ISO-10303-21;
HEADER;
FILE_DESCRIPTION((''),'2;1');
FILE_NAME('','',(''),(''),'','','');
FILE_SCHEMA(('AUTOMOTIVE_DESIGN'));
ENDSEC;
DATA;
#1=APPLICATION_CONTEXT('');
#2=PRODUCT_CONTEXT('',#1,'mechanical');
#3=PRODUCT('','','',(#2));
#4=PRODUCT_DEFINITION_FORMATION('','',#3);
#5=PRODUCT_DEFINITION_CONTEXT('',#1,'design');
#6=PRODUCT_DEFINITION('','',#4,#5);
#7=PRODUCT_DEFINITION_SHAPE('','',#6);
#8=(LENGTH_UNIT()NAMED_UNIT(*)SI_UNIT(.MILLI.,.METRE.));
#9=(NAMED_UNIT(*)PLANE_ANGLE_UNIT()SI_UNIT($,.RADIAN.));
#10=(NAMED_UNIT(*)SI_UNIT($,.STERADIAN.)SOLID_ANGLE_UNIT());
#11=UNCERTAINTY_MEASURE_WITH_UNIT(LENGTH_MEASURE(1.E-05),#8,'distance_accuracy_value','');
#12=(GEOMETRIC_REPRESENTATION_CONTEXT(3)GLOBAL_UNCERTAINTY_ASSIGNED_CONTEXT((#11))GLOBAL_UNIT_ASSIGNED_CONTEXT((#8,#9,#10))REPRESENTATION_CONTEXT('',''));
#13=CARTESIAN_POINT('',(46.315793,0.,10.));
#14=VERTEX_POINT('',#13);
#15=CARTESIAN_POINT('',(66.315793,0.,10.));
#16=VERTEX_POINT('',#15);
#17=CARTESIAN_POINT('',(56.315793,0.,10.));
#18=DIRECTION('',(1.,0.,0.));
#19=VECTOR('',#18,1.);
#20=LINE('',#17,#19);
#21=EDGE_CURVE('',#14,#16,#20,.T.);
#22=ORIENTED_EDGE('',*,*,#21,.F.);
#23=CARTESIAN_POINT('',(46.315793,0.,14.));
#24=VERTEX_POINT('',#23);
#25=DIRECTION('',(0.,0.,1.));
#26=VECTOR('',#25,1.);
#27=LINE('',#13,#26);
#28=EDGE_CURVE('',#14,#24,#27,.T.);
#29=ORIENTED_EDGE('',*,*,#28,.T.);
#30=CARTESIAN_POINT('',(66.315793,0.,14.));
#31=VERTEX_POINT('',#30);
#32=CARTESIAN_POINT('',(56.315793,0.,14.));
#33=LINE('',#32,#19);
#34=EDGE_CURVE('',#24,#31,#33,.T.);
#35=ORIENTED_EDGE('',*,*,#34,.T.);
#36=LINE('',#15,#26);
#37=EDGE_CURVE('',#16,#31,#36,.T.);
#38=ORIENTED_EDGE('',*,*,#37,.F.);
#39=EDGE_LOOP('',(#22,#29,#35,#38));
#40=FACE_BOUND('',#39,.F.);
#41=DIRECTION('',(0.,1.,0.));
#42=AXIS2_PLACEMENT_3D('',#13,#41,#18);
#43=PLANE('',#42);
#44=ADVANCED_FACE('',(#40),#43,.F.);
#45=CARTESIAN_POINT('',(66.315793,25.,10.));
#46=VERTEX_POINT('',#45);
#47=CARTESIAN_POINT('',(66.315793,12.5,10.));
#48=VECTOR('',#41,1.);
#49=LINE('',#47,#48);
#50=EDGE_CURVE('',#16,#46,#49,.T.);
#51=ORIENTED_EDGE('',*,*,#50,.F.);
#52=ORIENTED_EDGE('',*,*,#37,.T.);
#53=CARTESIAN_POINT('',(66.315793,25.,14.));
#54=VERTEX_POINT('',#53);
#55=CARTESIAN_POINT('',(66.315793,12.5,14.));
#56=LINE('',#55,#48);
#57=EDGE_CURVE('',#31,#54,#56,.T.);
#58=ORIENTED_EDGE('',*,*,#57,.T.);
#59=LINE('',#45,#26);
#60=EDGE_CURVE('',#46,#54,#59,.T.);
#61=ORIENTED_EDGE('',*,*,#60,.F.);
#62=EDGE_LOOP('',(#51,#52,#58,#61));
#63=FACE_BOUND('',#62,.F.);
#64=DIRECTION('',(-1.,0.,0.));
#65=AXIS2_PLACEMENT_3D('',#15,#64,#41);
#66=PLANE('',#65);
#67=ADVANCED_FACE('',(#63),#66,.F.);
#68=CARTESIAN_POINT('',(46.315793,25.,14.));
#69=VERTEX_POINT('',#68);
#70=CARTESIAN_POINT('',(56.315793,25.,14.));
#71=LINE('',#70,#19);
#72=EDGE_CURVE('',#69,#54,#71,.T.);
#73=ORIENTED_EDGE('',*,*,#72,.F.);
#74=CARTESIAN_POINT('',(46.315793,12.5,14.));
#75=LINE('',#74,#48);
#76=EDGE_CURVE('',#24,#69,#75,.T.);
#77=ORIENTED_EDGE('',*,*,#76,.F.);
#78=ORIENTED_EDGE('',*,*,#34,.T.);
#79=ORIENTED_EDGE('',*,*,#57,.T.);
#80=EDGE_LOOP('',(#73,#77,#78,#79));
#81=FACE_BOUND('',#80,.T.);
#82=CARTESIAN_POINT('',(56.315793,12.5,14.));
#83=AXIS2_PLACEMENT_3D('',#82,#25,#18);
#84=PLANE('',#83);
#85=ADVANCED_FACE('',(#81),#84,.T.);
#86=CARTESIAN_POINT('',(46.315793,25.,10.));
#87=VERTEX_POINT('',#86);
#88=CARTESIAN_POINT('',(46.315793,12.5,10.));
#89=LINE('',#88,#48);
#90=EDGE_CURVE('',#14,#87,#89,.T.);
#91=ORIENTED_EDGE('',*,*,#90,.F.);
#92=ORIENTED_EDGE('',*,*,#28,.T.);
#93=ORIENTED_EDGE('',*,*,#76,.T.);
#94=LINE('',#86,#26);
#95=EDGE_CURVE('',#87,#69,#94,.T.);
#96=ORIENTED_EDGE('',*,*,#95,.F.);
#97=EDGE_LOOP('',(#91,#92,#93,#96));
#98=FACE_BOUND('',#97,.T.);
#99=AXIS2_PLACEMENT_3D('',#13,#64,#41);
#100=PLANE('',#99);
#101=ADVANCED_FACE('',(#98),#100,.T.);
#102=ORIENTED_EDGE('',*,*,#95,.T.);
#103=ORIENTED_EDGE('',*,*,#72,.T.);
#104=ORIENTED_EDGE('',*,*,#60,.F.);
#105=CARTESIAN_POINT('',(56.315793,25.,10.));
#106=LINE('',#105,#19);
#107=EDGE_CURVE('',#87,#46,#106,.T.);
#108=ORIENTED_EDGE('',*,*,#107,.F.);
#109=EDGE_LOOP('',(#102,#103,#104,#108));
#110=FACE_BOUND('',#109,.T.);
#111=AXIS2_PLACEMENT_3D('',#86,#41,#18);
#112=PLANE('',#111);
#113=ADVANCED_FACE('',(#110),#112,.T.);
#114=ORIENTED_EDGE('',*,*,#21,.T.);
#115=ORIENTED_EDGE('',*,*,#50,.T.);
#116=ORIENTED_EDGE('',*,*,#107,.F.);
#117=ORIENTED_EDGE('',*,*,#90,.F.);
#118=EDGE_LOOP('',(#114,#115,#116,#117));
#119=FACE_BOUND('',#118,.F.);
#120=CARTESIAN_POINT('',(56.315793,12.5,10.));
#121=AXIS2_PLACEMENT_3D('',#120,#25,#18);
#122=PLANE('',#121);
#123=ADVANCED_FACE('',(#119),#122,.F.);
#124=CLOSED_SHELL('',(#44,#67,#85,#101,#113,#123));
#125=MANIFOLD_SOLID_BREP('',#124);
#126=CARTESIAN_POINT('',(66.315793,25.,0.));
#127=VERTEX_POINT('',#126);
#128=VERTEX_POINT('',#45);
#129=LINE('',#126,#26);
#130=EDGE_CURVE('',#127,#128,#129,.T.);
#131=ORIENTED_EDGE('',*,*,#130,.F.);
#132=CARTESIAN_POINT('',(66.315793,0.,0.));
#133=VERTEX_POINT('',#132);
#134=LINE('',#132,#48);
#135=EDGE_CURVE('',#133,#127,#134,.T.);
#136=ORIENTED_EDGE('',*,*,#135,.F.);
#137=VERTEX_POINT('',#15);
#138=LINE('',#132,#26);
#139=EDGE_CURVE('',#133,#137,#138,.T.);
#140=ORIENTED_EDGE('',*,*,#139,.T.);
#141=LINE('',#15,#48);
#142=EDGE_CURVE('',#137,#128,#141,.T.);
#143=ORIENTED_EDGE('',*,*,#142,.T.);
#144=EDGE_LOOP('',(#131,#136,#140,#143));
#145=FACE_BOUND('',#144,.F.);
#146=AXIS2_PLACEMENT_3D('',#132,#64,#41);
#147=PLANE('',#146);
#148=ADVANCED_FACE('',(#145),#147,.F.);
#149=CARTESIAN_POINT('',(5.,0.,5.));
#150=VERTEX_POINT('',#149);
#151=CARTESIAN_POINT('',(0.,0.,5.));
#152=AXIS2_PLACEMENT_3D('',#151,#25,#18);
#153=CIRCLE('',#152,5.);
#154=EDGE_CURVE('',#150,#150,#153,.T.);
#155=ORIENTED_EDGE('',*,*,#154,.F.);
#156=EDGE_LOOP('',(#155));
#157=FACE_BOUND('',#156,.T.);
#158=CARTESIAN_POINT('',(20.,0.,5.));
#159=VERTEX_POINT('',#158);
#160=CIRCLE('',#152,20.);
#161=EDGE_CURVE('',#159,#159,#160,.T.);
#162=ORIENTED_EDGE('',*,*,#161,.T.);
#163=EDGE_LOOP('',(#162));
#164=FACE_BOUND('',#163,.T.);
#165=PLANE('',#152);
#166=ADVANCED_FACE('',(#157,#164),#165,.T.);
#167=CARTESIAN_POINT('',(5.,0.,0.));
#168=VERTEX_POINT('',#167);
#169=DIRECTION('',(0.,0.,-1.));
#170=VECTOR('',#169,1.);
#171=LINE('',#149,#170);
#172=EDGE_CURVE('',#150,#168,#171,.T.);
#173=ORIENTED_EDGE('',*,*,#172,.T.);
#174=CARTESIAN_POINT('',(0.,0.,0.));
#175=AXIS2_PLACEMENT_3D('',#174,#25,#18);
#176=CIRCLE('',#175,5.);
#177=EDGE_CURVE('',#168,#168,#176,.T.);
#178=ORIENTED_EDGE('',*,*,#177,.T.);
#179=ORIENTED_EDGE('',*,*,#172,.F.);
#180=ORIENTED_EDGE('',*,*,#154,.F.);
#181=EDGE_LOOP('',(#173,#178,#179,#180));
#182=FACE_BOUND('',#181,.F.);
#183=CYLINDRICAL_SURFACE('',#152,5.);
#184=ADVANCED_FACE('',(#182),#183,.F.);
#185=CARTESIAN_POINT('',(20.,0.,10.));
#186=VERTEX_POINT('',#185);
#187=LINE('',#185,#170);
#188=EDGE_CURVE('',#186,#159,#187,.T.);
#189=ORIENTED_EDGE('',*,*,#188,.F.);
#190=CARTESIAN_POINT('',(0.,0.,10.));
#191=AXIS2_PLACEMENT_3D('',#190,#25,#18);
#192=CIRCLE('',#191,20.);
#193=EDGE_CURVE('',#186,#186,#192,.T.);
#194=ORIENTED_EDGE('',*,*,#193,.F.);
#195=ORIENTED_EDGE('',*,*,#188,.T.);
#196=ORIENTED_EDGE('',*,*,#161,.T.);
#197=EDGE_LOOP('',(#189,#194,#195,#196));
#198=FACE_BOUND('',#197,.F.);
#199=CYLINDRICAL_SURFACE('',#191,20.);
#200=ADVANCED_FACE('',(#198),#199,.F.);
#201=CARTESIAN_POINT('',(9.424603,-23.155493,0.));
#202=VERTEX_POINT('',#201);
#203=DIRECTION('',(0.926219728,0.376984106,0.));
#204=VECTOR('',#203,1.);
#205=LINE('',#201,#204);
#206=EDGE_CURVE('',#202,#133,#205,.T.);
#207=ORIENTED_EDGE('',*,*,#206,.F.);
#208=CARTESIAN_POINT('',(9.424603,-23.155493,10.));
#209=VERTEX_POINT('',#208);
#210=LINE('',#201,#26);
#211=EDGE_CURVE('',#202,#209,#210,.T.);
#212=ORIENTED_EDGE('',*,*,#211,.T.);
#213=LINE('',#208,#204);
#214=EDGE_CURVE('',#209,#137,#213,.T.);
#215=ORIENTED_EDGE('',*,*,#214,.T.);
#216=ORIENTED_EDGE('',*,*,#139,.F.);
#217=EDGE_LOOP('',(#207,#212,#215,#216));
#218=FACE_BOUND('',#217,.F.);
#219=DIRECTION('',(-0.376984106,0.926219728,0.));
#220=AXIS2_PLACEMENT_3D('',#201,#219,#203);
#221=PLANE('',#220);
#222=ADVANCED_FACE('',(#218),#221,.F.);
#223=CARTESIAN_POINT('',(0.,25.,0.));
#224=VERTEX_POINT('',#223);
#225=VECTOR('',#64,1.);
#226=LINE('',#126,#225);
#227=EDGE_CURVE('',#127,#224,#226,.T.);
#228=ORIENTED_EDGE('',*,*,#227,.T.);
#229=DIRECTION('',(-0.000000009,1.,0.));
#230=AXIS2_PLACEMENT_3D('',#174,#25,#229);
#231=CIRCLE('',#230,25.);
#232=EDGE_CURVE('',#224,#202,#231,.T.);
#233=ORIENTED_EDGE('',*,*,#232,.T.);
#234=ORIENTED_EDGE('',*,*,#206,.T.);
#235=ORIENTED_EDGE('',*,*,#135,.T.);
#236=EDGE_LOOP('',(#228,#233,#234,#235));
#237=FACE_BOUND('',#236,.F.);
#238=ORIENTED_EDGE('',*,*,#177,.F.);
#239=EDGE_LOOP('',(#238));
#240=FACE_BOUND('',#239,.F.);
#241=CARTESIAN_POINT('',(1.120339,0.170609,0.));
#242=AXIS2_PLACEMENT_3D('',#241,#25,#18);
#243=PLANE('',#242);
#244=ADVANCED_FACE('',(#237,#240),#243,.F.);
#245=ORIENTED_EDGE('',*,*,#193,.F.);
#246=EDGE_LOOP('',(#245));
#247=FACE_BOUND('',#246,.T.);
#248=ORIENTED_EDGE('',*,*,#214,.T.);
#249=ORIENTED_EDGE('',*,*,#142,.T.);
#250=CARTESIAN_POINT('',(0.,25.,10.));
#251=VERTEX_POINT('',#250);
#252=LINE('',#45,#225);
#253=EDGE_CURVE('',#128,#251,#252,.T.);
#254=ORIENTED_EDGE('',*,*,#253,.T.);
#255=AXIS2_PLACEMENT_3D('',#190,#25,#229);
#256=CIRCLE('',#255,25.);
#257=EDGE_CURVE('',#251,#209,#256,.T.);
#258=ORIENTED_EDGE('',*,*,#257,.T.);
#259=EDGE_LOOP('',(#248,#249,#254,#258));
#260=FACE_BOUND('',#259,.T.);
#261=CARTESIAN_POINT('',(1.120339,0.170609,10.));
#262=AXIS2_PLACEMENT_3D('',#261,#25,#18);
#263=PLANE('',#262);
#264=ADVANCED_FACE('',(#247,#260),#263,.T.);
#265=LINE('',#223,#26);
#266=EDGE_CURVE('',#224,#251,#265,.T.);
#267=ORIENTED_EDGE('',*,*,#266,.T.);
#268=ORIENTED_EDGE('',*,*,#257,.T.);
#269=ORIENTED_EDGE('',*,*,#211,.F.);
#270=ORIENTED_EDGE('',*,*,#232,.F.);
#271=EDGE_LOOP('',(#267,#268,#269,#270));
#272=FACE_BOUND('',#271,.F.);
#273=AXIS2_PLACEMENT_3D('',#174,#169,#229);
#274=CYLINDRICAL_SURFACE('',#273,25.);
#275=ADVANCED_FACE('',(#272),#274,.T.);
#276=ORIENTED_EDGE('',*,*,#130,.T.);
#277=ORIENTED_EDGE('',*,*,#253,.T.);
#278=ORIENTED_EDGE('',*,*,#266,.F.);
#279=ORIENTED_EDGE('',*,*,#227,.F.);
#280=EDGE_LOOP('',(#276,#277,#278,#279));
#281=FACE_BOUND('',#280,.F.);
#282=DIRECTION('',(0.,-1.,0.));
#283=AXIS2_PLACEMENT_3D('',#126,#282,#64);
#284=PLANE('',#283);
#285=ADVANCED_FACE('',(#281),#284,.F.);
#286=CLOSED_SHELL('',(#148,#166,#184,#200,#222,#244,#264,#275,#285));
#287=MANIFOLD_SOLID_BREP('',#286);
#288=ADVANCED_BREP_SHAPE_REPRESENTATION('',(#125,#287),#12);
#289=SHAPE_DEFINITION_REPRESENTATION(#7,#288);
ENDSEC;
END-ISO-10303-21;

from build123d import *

# Parameters (mm, degrees)
F1_DEPTH = 10
F2_R     = 20
F3_DEPTH = 5
F4_R     = 5
F5_DEPTH = 25
F6_W     = 20
F6_H     = 25
F7_DEPTH = 4


with BuildPart() as f1:
    # F0 (on Top) → F1 (new body)
    with BuildSketch(Plane.XY):
        with BuildLine():
            ThreePointArc((9.424603, -23.155493), (20.743855, -13.953224), (25, 0))
            ThreePointArc((25, 0), (17.67767, 17.67767), (0, 25))
            ThreePointArc((0, 25), (-24.53454, -4.801701), (9.424603, -23.155493))
        make_face()
        with BuildLine():
            ThreePointArc((0, 25), (17.67767, 17.67767), (25, 0))
            ThreePointArc((25, 0), (20.743855, -13.953224), (9.424603, -23.155493))
            Line((9.424603, -23.155493), (66.315793, 0))
            Line((66.315793, 0), (66.315793, 25))
            Line((66.315793, 25), (0, 25))
        make_face()
    extrude(amount=F1_DEPTH)

    # F2 (on face) → F3 (cut)
    with BuildSketch(Plane.XY.offset(10)):
        Circle(F2_R)
    extrude(amount=-F3_DEPTH, mode=Mode.SUBTRACT)

    # F4 (on face) → F5 (cut)
    with BuildSketch(Plane.XY.offset(5)):
        Circle(F4_R)
    extrude(amount=-F5_DEPTH, mode=Mode.SUBTRACT)


with BuildPart() as f7:
    # F6 (on face) → F7 (new body)
    with BuildSketch(Plane.XY.offset(10)):
        with Locations((56.315793, 12.5)):
            Rectangle(F6_W, F6_H)
    extrude(amount=F7_DEPTH)


solid = Compound([f1.part, f7.part])
